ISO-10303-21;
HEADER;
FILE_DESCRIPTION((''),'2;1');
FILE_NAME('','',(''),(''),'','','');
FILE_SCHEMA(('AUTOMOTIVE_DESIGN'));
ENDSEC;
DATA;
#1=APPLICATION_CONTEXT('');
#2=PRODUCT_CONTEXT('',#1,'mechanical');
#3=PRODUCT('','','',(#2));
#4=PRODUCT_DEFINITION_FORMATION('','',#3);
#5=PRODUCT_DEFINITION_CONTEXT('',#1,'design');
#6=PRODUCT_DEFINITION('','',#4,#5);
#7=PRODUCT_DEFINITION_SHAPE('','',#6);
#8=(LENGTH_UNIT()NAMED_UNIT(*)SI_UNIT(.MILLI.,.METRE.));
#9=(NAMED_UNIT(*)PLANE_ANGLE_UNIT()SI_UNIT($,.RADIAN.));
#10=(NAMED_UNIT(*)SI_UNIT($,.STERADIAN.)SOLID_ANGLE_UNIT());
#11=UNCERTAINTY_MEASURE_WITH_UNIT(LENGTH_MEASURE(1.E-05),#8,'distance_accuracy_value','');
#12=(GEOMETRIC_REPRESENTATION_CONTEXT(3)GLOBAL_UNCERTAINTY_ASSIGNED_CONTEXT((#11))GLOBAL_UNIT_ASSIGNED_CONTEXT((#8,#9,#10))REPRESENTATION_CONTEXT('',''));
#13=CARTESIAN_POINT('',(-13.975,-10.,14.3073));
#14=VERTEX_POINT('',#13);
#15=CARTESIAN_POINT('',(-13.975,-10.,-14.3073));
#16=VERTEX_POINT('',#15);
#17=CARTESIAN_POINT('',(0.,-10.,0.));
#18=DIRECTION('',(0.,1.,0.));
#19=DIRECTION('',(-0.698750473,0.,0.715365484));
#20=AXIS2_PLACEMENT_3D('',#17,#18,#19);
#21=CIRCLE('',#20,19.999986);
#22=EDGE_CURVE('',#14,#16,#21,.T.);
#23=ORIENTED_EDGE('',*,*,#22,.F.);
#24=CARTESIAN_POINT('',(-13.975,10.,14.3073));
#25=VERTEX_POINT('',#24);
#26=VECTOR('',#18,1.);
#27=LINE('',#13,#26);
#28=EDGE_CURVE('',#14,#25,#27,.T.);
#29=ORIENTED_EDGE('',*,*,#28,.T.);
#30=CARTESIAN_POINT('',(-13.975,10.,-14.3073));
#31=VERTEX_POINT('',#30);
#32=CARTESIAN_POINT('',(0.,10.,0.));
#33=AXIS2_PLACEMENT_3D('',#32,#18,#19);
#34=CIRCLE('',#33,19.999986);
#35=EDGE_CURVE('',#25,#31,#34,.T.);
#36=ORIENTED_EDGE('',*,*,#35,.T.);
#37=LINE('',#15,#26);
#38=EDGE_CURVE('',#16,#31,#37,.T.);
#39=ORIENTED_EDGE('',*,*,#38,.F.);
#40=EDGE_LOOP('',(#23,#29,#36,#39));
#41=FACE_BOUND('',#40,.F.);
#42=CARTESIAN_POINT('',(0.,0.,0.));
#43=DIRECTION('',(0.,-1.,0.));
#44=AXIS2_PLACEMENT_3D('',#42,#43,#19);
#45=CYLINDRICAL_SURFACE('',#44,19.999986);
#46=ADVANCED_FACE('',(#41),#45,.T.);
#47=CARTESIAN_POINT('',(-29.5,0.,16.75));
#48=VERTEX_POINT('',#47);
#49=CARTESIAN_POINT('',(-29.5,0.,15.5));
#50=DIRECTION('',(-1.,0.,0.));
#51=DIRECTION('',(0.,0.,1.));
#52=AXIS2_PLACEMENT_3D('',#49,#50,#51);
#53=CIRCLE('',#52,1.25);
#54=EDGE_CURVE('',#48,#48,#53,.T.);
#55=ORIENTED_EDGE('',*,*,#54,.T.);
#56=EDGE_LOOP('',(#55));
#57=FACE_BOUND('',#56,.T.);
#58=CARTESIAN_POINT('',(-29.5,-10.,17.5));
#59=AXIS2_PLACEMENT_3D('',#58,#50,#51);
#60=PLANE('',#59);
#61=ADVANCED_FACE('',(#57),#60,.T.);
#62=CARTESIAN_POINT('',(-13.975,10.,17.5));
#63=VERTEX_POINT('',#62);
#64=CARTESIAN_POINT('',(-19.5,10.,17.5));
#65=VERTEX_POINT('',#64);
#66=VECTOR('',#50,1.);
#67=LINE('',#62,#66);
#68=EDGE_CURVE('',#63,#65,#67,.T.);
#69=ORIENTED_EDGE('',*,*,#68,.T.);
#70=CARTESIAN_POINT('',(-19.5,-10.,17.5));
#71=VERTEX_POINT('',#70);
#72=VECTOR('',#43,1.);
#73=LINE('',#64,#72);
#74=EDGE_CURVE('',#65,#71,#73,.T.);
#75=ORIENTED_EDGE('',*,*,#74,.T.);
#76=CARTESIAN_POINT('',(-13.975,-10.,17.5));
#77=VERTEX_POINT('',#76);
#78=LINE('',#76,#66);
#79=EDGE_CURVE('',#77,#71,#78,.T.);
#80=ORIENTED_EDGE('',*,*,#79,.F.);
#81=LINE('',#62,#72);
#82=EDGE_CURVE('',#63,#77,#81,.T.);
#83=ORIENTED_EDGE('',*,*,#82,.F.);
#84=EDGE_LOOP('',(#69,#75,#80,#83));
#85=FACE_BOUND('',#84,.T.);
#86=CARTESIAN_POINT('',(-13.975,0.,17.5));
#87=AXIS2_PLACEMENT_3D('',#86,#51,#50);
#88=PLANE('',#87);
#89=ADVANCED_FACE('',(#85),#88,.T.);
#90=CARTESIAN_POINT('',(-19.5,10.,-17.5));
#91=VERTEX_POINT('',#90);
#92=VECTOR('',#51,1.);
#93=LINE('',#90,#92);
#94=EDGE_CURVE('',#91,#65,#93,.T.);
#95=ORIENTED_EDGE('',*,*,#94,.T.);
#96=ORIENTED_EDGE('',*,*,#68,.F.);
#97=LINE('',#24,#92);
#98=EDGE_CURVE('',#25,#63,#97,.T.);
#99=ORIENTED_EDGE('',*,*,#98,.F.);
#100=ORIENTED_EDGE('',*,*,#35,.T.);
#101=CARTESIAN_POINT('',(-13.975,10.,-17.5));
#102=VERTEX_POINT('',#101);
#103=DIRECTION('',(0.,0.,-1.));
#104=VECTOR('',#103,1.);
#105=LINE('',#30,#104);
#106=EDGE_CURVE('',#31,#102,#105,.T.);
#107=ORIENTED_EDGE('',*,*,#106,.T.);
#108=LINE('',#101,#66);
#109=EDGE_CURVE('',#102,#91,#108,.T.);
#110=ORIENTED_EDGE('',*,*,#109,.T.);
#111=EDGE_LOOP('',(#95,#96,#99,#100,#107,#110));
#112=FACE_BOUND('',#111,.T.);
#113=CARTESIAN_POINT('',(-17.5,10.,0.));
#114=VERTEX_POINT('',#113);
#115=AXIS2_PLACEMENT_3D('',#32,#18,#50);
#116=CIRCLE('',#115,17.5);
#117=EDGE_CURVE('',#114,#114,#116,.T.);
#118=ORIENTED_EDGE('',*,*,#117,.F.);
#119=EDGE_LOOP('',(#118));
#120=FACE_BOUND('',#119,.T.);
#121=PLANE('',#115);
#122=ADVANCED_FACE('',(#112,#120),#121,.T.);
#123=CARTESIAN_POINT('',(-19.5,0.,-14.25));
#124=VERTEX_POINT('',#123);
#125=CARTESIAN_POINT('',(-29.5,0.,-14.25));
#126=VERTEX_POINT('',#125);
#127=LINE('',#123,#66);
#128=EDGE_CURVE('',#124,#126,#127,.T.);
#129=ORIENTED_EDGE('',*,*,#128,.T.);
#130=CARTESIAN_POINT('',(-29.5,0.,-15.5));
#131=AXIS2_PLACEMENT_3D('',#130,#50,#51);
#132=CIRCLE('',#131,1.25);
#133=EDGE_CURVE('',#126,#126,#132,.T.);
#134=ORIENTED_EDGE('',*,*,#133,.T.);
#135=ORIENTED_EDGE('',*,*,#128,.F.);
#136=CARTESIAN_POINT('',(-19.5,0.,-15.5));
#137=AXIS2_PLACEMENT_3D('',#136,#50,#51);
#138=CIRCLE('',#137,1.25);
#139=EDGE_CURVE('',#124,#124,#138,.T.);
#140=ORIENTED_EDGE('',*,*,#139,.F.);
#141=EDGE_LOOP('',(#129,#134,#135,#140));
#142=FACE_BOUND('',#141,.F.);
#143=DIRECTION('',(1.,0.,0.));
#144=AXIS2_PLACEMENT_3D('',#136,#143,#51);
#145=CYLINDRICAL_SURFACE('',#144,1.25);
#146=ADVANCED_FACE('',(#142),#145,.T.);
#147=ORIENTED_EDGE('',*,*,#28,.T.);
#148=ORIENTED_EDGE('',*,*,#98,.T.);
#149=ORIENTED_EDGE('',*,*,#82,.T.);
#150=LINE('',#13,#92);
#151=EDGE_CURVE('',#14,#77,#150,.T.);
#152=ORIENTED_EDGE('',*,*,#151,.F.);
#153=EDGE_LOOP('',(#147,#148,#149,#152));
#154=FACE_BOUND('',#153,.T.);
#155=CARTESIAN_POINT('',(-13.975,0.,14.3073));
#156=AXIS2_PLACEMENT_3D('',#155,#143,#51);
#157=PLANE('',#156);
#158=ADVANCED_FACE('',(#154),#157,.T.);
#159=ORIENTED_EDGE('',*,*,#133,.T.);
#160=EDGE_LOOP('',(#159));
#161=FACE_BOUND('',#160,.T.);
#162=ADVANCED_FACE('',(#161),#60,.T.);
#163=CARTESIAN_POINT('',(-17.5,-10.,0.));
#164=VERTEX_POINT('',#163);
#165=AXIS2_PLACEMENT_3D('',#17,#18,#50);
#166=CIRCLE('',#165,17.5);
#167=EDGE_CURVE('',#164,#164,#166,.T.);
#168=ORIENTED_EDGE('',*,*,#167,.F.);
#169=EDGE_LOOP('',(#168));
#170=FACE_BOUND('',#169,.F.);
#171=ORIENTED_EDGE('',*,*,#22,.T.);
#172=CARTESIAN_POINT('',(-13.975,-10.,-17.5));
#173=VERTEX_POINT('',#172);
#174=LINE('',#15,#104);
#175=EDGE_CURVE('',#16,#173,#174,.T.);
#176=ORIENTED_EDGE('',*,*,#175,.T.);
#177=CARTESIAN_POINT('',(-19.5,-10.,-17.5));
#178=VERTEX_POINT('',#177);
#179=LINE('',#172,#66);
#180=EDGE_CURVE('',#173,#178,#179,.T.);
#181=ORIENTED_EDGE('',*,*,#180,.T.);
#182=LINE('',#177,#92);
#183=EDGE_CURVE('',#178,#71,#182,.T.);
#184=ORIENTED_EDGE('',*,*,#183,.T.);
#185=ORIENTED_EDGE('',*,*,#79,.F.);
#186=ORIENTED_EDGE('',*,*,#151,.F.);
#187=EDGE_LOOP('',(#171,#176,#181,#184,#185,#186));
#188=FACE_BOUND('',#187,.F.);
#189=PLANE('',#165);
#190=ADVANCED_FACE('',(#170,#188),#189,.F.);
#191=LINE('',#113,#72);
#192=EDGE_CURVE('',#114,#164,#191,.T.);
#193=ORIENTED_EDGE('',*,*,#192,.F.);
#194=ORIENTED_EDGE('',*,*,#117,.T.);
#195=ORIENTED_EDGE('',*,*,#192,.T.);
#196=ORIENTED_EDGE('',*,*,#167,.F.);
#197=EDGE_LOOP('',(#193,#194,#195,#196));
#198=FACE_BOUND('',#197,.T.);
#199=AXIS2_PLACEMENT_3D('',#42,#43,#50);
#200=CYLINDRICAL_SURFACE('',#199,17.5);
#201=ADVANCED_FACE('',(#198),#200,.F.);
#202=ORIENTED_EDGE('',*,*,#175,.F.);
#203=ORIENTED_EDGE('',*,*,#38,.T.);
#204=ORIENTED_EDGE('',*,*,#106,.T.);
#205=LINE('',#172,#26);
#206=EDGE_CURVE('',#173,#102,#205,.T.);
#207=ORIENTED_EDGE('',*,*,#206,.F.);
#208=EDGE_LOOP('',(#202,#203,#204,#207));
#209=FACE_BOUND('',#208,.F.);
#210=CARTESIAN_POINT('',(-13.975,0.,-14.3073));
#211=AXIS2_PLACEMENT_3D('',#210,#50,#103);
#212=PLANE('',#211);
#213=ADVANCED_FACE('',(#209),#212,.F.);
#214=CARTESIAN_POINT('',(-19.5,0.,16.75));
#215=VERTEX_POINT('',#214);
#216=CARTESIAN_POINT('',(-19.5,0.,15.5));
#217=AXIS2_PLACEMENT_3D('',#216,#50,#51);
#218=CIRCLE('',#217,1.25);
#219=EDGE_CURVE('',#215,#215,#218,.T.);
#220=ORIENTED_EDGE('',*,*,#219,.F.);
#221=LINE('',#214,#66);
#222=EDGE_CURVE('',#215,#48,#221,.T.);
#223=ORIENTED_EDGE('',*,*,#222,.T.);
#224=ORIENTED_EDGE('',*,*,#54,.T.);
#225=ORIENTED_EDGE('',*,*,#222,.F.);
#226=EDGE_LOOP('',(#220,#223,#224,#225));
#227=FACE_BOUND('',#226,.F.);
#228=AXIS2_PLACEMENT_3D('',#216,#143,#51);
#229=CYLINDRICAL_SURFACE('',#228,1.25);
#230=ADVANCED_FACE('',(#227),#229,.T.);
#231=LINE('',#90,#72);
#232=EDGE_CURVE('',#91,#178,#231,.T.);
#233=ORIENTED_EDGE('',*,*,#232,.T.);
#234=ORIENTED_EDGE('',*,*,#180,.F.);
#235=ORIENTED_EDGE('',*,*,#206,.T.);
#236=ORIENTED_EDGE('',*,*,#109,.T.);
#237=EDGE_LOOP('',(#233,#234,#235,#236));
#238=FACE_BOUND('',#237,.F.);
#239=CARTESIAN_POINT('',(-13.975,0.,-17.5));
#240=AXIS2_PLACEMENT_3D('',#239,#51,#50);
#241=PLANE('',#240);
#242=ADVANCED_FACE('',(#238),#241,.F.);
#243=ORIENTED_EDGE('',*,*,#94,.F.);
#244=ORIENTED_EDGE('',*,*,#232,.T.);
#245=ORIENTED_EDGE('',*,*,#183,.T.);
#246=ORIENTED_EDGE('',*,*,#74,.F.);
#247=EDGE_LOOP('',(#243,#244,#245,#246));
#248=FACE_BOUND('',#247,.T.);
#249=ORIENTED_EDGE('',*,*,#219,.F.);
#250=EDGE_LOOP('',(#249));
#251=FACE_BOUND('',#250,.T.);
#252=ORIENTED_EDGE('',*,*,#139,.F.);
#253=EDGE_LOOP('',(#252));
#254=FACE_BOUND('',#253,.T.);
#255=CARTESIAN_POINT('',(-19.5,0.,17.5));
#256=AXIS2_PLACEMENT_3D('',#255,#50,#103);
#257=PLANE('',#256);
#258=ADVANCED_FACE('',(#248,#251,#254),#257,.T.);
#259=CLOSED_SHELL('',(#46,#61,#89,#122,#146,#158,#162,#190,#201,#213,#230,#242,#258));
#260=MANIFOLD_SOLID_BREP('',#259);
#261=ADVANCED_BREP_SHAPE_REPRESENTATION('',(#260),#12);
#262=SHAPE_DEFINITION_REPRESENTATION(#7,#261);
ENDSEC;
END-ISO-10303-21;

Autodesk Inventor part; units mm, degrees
ref_plane "YZ Plane" through (0, 0, 0) normal (1, 0, 0) x (0, 1, 0)
ref_plane "XZ Plane" through (0, 0, 0) normal (0, 1, 0) x (-1, 0, 0)
ref_plane "XY Plane" through (0, 0, 0) normal (0, 0, 1) x (1, 0, 0)
sketch "Sketch1" plane through (0, 0, 0) normal (0, 1, 0) x (-1, 0, 0)
  circle A0 centre (0, 0) radius 17.5
  arc A1 (13.975, 14.3073) -> (13.975, -14.3073) centre (0, 0) ccw
  line L0 (13.975, 14.3073) -> (13.975, 17.5)
  line L1 (13.975, 17.5) -> (19.5, 17.5)
  line L2 (19.5, 17.5) -> (19.5, 0)
  line L3 (0, 0) -> (32.178, 0) construction
  line L4 (13.975, -14.3073) -> (13.975, -17.5)
  line L5 (13.975, -17.5) -> (19.5, -17.5)
  line L6 (19.5, -17.5) -> (19.5, 0)
  dimension "d0" = 35
  dimension "d2" = 19.5
  dimension "d3" = 17.5
  dimension "d4" = 5.525
  dimension "d5" = 13.975
  dimension "d6" = 40
extrude "Extrusion1" add sketch "Sketch1" along normal mid plane 20
sketch "Sketch2" plane through (-19.5, -10, 17.5) normal (-1, 0, 0) x (0, 0, 1)
  circle A0 centre (-33, 10) radius 1.25
  circle A1 centre (-2, 10) radius 1.25
  line L0 (0, 0) -> (-35, 0) projected
  point P0 (-17.5, 10)
  dimension "d14" = 31
  dimension "d15" = 15.5
  dimension "d16" = 2.5
  dimension "d17" = 2.5
  dimension "d18" = 10
  dimension "d19" = 10
extrude "Extrusion2" add sketch "Sketch2" along normal blind 10
properties part number "motor-hold"
